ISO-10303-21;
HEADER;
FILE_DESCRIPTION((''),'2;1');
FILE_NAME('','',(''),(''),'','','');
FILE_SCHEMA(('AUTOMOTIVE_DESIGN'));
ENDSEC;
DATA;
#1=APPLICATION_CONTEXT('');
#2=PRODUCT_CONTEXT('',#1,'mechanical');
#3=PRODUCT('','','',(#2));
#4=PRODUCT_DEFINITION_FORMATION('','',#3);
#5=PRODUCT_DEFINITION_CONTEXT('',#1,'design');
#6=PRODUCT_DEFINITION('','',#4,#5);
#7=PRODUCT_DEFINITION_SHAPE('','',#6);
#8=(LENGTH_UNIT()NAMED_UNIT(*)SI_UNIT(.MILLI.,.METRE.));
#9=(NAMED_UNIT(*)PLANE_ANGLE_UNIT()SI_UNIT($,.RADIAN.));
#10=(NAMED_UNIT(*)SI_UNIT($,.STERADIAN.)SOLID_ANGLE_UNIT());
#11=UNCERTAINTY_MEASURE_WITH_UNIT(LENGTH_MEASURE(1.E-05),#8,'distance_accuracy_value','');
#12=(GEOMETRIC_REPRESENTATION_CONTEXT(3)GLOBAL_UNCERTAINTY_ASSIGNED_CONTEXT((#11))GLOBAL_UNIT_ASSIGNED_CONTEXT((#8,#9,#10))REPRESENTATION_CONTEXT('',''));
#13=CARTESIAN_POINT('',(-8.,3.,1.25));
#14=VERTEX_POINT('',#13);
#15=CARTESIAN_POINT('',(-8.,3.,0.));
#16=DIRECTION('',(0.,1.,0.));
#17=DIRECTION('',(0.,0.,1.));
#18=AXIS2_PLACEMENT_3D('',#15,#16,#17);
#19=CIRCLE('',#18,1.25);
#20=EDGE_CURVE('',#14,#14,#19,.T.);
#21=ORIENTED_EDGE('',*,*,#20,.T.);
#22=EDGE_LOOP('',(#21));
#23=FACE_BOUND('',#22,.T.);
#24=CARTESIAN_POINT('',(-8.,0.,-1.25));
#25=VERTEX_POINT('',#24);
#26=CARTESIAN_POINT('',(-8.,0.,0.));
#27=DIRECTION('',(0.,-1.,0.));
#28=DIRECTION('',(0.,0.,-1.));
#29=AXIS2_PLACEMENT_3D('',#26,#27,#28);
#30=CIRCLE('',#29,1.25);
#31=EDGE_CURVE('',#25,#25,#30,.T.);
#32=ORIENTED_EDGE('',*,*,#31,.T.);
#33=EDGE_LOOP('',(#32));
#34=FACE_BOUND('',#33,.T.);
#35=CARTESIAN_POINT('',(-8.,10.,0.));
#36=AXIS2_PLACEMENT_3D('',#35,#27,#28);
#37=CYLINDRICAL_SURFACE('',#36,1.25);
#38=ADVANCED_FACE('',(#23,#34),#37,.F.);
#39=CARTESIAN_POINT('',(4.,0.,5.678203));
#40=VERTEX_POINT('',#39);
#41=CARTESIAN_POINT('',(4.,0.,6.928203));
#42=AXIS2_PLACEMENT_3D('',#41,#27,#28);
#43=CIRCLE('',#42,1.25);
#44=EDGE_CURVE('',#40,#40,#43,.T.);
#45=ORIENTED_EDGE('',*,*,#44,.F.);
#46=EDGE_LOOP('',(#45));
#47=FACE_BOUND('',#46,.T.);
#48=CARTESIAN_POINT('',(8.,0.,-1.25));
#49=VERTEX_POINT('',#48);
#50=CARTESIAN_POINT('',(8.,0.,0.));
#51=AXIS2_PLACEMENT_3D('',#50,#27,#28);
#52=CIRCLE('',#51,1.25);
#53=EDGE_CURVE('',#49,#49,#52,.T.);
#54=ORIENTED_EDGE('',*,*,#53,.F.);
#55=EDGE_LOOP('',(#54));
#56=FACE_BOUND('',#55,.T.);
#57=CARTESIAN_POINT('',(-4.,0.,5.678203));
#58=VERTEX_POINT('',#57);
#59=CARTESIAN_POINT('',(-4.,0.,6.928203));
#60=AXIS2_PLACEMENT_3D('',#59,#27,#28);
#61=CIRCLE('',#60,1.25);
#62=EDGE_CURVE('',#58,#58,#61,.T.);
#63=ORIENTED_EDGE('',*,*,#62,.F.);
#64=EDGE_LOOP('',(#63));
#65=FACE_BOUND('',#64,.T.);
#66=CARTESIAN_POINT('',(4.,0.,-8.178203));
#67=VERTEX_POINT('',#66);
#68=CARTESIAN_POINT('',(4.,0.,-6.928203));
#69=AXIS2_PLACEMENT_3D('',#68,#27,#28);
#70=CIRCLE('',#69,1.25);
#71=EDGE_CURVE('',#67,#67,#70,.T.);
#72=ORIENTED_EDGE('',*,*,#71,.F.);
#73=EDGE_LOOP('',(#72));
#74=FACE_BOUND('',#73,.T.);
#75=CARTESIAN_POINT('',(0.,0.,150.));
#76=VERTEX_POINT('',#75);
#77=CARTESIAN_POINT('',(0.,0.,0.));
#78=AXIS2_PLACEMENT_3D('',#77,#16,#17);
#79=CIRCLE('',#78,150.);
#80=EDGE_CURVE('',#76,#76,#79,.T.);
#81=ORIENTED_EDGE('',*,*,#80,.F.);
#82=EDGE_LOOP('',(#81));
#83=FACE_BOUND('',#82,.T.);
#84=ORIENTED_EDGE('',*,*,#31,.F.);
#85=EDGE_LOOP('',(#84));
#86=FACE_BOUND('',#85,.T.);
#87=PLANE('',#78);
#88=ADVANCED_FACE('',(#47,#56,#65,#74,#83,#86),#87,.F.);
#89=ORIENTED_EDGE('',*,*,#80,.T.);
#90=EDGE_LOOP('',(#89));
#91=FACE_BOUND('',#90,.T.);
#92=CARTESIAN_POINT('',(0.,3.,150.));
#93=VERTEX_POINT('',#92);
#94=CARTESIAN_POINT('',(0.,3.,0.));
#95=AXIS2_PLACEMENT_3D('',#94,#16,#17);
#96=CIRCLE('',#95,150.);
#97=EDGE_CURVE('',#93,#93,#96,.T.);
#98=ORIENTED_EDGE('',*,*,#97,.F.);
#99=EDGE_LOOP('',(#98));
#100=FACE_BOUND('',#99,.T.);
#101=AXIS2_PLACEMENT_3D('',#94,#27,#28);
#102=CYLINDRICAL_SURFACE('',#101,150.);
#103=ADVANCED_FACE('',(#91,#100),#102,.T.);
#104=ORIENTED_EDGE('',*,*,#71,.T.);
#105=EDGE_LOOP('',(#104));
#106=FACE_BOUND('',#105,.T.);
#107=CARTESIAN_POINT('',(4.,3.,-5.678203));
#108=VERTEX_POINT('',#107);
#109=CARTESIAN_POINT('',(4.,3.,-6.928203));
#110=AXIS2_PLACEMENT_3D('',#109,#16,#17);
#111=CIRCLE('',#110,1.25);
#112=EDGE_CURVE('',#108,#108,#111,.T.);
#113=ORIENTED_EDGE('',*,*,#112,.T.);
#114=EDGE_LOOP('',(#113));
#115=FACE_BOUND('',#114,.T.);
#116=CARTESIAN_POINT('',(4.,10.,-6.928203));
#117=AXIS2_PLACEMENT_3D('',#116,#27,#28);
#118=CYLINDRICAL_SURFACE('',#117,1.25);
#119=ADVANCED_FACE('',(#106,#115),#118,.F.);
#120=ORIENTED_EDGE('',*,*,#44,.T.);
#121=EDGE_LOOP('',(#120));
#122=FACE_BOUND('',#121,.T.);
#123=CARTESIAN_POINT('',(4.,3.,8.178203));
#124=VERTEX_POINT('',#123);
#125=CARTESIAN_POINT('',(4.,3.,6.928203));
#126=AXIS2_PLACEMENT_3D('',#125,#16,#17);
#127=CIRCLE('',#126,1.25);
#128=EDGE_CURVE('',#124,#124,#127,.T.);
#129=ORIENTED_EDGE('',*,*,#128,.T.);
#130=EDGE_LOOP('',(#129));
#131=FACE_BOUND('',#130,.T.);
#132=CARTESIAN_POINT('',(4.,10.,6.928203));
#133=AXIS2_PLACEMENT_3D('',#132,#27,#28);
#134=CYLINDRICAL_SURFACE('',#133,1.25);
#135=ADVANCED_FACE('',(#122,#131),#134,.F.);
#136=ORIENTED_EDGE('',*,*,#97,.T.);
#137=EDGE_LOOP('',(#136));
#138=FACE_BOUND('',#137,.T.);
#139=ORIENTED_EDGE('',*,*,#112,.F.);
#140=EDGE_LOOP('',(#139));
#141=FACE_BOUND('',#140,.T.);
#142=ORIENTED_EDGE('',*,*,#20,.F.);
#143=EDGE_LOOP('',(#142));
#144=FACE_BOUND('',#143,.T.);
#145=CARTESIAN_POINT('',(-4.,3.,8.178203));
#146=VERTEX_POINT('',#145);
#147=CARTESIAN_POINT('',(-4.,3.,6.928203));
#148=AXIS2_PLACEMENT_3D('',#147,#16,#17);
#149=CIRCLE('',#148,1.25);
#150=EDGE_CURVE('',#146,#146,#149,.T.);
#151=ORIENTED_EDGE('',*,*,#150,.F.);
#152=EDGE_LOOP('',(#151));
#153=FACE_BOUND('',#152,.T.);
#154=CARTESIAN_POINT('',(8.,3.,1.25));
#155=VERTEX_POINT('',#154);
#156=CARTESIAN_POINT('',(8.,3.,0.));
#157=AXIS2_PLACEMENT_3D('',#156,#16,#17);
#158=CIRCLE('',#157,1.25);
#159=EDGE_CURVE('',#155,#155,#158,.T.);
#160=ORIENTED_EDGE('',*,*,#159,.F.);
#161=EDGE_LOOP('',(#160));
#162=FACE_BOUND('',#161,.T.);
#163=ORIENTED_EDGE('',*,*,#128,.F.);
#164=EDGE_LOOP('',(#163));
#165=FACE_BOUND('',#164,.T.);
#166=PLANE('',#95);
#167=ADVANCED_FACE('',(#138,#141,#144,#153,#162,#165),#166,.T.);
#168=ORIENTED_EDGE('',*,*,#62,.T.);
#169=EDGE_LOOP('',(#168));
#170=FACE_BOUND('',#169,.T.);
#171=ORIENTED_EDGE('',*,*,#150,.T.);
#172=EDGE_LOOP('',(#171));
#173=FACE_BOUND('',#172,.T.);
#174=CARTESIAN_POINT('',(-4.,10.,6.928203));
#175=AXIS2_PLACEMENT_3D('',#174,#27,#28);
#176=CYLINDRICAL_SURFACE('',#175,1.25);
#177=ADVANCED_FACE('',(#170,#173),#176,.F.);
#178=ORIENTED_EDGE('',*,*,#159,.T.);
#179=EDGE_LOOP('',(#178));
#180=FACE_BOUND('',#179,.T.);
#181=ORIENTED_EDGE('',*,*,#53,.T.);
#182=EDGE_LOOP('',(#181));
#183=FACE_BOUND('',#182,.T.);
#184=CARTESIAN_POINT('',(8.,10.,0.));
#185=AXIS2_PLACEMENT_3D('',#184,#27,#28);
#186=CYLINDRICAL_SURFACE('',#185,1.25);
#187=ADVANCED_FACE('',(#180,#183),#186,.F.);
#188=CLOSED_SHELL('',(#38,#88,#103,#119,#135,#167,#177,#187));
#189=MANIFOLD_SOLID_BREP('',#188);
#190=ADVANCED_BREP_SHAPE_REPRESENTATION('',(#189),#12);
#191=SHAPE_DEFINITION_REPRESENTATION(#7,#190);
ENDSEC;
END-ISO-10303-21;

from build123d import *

# Parameters (mm, degrees)
SKETCH1_R           = 150
BOSS_EXTRUDE1_DEPTH = 3
SKETCH3_R           = 1.25
CUT_EXTRUDE1_DEPTH  = 10


with BuildPart() as part:
    # Sketch1 → Boss-Extrude1 (new body)
    with BuildSketch(Plane(origin=(0, 0, 0), x_dir=(1, 0, 0), z_dir=(0, 1, 0))):
        Circle(SKETCH1_R)
    extrude(amount=BOSS_EXTRUDE1_DEPTH)

    # Sketch3 → Cut-Extrude1 (cut)
    with BuildSketch(Plane.XZ):
        with Locations((8, 0)):
            Circle(SKETCH3_R)
        with Locations((4, 6.92820323)):
            Circle(SKETCH3_R)
        with Locations((4, -6.92820323)):
            Circle(SKETCH3_R)
        with Locations((-4, 6.92820323)):
            Circle(SKETCH3_R)
        with Locations((-8, 0)):
            Circle(SKETCH3_R)
    extrude(amount=-CUT_EXTRUDE1_DEPTH, mode=Mode.SUBTRACT)


solid = part.part
